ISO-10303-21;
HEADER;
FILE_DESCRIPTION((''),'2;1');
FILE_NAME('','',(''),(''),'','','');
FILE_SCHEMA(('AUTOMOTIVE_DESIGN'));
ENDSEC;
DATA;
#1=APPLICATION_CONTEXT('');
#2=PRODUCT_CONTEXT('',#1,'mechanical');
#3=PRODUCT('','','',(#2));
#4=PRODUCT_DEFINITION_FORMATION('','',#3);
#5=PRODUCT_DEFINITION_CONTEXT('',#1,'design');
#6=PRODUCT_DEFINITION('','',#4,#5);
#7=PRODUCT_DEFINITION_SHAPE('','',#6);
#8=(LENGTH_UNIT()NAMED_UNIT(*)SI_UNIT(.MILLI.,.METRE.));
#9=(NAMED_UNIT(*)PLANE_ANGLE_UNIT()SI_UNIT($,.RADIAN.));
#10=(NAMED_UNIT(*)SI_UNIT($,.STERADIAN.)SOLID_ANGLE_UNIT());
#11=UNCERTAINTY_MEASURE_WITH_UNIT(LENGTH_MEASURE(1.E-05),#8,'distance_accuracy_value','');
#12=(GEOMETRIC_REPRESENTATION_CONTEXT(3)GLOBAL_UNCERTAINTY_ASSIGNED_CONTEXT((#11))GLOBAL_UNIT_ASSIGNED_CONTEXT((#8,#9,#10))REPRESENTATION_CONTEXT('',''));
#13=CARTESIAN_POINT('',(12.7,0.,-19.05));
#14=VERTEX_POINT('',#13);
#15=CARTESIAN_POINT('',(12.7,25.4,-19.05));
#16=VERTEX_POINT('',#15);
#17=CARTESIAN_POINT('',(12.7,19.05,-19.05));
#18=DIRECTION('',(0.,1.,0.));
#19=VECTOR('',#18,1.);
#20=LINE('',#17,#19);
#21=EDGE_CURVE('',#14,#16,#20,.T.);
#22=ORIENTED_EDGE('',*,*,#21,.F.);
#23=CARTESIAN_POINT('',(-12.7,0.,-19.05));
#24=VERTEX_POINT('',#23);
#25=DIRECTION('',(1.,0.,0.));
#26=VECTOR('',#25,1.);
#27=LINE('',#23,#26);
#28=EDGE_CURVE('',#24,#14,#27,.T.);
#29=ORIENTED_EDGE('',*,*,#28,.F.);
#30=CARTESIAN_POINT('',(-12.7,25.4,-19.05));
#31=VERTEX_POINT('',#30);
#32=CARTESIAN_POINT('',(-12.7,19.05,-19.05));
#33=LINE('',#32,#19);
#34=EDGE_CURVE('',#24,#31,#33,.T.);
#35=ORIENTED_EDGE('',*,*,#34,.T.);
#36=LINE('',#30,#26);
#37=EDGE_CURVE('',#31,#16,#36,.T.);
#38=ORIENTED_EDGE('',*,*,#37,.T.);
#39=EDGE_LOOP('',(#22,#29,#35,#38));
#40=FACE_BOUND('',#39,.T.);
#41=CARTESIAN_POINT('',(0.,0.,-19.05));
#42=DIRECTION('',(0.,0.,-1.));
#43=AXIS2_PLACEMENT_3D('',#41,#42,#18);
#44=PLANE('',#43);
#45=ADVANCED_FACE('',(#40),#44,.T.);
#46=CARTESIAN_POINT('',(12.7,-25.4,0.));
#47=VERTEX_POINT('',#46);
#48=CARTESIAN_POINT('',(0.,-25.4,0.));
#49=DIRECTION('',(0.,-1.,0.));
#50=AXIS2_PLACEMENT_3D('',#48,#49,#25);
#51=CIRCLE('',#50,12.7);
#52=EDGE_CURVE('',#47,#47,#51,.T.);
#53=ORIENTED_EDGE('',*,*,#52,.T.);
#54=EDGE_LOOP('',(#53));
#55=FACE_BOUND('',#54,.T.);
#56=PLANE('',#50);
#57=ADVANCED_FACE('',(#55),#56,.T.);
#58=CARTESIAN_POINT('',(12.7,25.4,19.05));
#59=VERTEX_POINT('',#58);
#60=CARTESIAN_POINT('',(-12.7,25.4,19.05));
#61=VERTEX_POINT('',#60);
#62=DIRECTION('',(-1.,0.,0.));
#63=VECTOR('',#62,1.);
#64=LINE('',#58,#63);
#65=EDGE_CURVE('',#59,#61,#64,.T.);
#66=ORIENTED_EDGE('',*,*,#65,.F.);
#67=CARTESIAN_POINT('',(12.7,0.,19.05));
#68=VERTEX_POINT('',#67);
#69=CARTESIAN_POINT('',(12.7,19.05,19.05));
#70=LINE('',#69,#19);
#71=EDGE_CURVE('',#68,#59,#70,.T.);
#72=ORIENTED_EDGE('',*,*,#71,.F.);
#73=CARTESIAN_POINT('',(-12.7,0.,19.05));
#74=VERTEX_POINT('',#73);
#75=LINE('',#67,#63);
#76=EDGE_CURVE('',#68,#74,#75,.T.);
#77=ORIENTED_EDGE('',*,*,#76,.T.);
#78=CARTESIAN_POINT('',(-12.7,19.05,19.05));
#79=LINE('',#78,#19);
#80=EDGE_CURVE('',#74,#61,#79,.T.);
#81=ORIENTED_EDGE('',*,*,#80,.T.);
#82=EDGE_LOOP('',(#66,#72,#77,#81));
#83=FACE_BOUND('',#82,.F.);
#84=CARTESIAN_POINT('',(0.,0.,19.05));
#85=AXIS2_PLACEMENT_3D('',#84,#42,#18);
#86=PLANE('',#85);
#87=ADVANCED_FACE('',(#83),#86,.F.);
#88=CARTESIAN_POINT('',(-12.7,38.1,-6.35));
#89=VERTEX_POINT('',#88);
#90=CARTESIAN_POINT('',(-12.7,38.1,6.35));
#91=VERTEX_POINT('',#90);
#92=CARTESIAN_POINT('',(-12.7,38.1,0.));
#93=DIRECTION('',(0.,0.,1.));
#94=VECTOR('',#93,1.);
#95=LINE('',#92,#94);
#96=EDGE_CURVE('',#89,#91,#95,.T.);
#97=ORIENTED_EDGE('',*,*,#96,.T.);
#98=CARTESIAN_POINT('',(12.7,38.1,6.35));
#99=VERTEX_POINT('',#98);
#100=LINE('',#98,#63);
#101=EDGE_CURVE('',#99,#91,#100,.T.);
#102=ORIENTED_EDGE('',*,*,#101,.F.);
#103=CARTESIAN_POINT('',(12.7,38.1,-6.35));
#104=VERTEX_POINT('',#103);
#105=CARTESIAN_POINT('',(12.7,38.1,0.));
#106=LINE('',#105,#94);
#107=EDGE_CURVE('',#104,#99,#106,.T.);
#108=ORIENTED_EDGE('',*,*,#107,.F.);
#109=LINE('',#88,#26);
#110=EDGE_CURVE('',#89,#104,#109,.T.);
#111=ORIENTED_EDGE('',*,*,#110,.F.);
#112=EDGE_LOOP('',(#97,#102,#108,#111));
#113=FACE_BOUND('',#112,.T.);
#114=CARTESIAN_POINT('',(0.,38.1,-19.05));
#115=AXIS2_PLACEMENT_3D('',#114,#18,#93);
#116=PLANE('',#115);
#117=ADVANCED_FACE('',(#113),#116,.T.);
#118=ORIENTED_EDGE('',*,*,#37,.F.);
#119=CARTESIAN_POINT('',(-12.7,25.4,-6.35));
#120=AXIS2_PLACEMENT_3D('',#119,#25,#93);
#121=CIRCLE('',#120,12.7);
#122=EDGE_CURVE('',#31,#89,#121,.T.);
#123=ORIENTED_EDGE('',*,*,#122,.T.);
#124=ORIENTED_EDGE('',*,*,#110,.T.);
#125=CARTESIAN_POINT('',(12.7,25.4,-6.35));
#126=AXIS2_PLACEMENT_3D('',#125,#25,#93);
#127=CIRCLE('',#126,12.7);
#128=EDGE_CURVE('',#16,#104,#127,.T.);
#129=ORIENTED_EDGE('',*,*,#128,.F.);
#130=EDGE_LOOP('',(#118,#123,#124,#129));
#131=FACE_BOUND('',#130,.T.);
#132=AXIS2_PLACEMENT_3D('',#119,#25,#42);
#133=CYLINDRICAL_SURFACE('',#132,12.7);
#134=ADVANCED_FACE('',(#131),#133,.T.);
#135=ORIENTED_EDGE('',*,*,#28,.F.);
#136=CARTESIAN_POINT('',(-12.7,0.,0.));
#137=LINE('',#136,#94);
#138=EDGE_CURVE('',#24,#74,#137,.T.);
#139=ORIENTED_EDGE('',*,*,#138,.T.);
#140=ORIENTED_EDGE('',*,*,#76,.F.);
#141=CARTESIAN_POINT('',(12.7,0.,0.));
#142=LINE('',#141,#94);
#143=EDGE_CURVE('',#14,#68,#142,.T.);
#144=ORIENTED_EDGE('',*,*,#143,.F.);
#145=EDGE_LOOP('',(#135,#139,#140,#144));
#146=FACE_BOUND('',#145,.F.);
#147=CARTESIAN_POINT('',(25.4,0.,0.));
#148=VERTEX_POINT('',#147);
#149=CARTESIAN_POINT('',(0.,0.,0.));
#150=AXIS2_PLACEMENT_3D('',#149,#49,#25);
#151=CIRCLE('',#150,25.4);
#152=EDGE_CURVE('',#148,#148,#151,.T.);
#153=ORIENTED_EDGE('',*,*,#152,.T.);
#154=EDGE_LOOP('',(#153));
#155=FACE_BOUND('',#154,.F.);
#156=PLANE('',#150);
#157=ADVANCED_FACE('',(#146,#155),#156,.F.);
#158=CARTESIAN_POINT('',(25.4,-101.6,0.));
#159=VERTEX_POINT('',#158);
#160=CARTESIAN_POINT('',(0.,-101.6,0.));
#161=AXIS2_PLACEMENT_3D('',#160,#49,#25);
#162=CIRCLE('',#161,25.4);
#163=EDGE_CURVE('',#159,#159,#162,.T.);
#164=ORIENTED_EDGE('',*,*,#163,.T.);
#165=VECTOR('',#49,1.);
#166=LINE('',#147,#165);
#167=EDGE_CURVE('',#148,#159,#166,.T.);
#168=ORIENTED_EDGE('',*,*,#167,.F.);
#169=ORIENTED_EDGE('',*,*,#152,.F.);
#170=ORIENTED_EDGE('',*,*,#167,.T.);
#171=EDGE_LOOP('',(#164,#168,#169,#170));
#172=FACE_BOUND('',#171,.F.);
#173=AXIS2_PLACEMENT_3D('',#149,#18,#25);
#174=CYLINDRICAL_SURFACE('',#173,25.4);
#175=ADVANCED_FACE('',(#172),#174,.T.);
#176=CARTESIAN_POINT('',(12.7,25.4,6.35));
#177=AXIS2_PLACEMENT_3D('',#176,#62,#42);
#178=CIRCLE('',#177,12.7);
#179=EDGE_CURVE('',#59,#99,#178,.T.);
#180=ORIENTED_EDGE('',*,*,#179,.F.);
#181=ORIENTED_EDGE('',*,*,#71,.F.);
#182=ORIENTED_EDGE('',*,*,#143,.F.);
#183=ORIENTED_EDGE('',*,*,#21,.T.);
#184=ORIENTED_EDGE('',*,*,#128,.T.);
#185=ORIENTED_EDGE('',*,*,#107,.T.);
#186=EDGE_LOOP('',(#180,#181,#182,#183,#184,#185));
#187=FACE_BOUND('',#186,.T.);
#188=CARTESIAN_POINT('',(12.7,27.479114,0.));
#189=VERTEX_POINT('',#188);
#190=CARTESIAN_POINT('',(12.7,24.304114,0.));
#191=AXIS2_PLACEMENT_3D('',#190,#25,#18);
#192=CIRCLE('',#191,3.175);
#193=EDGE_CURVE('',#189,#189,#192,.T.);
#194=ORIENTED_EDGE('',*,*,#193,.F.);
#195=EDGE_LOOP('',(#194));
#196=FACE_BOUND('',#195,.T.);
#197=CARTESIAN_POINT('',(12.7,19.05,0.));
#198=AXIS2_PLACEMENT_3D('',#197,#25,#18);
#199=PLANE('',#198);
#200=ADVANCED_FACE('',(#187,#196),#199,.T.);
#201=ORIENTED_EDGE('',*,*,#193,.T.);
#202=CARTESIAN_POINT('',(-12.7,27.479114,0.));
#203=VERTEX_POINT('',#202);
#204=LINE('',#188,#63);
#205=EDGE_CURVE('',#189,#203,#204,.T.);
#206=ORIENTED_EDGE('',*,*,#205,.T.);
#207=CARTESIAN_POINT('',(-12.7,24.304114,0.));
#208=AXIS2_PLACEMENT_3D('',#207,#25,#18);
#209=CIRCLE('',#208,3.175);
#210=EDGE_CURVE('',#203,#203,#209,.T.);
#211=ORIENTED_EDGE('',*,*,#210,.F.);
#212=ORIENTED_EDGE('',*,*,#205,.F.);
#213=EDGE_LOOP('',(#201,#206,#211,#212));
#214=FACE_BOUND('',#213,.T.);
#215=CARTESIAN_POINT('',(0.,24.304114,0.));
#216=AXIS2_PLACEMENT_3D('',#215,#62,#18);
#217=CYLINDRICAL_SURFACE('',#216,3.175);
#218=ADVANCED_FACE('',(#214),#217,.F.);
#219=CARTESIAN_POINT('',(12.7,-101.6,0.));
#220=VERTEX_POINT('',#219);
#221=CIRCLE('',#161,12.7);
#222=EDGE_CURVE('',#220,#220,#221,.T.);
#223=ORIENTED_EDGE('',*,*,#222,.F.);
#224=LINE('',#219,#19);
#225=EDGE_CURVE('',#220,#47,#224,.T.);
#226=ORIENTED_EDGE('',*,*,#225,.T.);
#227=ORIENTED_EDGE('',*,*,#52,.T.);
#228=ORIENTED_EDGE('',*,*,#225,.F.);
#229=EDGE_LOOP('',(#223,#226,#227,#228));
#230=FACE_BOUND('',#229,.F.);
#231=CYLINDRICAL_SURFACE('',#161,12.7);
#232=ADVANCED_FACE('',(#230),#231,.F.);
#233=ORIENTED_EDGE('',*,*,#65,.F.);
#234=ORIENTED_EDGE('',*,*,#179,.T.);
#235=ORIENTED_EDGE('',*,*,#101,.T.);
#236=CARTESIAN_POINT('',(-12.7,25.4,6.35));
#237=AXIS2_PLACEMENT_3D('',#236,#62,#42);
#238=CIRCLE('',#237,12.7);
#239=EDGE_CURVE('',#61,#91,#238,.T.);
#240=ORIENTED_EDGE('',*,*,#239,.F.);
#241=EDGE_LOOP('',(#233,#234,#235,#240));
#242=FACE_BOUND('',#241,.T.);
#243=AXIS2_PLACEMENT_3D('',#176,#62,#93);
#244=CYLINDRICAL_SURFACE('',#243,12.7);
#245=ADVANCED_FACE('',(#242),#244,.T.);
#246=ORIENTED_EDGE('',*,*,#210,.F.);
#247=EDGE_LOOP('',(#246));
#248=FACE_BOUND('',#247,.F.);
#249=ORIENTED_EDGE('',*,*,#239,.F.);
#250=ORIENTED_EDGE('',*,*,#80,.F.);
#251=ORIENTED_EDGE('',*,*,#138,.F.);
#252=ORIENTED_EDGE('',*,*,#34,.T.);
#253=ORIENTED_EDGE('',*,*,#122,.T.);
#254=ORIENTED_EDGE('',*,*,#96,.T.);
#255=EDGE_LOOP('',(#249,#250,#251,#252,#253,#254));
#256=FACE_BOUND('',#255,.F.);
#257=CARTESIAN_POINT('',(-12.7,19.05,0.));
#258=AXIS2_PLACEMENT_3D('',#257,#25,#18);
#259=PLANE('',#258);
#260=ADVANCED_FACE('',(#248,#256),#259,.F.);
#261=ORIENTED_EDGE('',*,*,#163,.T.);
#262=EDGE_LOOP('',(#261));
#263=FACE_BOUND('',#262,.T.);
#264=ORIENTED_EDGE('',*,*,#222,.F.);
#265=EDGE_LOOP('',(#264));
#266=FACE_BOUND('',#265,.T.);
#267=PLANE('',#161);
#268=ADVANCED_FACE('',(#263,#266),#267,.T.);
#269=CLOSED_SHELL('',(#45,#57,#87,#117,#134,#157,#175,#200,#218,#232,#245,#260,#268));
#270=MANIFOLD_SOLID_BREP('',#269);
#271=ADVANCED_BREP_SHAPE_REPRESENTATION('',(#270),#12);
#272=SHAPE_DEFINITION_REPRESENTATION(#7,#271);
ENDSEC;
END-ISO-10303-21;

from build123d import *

# Parameters (mm, degrees)
F0_R     = 25.4
F1_DEPTH = 101.6
F2_R     = 12.7
F3_DEPTH = 76.2
F4_W     = 38.1
F4_H     = 38.1
F4_R     = 3.175
F5_DEPTH = 12.7
F6_R     = 12.7


with BuildPart() as f1:
    # F0 (on Front) → F1 (new body)
    with BuildSketch(Plane.XZ):
        Circle(F0_R)
    extrude(amount=F1_DEPTH)

    # F2 (on face) → F3 (cut)
    with BuildSketch(Plane.XZ.offset(101.6)):
        Circle(F2_R)
    extrude(amount=-F3_DEPTH, mode=Mode.SUBTRACT)

    # F4 (on Right) → F5 (join, symmetric)
    with BuildSketch(Plane.YZ):
        with Locations((19.05, 0)):
            Rectangle(F4_W, F4_H)
        with Locations((24.3041142821, 0)):
            Circle(F4_R, mode=Mode.SUBTRACT)
    extrude(amount=F5_DEPTH, both=True)

    # F6
    f6_edges = [f1.edges().sort_by_distance(p)[0] for p in [
        (0, 38.1, 19.05),
        (0, 38.1, -19.05),
    ]]
    fillet(f6_edges, radius=F6_R)


solid = f1.part
